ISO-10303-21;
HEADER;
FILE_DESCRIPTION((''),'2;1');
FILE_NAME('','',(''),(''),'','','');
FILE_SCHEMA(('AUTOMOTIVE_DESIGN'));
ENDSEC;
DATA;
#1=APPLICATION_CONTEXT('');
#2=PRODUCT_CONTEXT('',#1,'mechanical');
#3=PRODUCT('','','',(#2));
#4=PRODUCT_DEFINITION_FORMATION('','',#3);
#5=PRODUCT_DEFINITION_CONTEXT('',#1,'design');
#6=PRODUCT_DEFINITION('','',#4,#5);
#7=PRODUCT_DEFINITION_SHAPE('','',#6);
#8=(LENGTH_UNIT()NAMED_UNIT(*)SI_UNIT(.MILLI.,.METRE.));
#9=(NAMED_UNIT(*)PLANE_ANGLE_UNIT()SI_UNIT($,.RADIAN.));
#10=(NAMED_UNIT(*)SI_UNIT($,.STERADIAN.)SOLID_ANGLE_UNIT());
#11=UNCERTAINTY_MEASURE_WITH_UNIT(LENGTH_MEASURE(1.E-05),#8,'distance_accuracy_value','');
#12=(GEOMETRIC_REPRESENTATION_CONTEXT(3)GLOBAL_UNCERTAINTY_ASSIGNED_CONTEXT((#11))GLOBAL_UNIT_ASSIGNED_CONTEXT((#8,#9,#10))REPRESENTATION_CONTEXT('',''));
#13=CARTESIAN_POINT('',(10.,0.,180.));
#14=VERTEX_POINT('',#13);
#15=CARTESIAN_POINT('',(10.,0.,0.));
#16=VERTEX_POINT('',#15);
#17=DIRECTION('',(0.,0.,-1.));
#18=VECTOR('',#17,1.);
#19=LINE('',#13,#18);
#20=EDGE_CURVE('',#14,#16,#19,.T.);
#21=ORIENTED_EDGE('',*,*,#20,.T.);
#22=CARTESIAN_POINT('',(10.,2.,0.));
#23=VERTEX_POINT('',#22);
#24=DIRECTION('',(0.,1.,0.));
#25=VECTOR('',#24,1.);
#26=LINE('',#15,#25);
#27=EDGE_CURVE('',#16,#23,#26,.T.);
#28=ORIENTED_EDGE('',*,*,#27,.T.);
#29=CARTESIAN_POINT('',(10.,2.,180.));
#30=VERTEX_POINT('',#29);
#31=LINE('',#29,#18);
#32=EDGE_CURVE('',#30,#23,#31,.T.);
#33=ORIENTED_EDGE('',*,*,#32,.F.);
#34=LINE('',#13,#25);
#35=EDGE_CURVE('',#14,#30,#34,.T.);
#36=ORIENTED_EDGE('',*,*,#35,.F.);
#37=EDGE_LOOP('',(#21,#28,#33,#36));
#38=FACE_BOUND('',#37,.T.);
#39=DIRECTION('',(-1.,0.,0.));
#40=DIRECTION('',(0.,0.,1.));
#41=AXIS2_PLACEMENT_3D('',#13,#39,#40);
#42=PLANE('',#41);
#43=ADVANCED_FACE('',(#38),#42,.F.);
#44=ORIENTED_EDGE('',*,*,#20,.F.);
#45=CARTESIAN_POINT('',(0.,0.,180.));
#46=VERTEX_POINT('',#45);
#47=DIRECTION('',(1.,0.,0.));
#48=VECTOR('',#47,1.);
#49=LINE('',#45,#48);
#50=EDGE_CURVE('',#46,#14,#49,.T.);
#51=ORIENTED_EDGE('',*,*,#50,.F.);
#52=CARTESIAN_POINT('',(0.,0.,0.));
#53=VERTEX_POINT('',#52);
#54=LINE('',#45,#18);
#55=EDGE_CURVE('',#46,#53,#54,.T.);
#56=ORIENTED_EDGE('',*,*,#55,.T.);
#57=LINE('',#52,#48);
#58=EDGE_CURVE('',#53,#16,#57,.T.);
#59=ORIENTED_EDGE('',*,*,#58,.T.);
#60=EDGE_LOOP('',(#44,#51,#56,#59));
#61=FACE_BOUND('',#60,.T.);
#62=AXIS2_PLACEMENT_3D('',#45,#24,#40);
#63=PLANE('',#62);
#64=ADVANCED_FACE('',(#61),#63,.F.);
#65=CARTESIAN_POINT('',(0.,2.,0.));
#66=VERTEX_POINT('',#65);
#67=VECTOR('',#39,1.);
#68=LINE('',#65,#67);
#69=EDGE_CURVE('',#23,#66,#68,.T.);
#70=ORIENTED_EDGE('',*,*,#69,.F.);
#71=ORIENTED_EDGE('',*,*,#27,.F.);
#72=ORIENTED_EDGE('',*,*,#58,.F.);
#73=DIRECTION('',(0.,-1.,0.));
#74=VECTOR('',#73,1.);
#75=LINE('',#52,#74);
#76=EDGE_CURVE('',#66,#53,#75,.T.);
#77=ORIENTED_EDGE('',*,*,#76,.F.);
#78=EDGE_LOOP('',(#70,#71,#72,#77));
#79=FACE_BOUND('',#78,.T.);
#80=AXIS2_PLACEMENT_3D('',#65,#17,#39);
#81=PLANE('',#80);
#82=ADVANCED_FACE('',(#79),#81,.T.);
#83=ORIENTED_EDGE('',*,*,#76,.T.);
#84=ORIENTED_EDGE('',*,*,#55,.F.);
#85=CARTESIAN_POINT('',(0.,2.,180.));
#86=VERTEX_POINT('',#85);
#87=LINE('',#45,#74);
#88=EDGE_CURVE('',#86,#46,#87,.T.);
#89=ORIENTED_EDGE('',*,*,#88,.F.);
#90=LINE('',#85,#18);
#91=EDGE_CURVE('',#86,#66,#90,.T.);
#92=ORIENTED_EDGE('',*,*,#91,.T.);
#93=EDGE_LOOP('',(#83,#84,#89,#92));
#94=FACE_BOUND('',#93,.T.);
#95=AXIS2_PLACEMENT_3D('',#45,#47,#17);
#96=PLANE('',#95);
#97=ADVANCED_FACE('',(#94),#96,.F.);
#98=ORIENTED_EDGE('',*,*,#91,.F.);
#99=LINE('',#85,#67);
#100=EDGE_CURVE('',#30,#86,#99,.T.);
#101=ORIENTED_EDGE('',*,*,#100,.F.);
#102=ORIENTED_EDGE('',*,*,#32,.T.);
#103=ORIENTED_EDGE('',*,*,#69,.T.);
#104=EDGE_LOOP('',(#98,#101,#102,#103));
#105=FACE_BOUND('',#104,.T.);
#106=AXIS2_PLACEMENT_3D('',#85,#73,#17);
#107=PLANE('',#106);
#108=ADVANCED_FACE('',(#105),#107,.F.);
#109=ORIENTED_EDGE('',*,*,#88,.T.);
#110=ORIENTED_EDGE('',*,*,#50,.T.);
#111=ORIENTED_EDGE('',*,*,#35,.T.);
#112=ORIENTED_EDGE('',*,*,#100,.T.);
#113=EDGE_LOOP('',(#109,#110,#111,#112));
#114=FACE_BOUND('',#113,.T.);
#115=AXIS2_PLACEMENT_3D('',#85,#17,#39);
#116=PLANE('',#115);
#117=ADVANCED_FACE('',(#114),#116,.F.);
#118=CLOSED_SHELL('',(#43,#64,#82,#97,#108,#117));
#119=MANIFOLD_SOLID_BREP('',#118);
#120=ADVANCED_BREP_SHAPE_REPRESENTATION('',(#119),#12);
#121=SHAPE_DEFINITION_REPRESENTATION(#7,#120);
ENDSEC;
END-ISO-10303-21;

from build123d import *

# Parameters (mm, degrees)
ESQUISSE1_W          = 10
ESQUISSE1_H          = 2
BASE_EXTRUSION_DEPTH = 180


with BuildPart() as part:
    # Esquisse1 → Base-Extrusion (new body)
    with BuildSketch(Plane.XY):
        with Locations((5, 1)):
            Rectangle(ESQUISSE1_W, ESQUISSE1_H)
    extrude(amount=BASE_EXTRUSION_DEPTH)


solid = part.part
